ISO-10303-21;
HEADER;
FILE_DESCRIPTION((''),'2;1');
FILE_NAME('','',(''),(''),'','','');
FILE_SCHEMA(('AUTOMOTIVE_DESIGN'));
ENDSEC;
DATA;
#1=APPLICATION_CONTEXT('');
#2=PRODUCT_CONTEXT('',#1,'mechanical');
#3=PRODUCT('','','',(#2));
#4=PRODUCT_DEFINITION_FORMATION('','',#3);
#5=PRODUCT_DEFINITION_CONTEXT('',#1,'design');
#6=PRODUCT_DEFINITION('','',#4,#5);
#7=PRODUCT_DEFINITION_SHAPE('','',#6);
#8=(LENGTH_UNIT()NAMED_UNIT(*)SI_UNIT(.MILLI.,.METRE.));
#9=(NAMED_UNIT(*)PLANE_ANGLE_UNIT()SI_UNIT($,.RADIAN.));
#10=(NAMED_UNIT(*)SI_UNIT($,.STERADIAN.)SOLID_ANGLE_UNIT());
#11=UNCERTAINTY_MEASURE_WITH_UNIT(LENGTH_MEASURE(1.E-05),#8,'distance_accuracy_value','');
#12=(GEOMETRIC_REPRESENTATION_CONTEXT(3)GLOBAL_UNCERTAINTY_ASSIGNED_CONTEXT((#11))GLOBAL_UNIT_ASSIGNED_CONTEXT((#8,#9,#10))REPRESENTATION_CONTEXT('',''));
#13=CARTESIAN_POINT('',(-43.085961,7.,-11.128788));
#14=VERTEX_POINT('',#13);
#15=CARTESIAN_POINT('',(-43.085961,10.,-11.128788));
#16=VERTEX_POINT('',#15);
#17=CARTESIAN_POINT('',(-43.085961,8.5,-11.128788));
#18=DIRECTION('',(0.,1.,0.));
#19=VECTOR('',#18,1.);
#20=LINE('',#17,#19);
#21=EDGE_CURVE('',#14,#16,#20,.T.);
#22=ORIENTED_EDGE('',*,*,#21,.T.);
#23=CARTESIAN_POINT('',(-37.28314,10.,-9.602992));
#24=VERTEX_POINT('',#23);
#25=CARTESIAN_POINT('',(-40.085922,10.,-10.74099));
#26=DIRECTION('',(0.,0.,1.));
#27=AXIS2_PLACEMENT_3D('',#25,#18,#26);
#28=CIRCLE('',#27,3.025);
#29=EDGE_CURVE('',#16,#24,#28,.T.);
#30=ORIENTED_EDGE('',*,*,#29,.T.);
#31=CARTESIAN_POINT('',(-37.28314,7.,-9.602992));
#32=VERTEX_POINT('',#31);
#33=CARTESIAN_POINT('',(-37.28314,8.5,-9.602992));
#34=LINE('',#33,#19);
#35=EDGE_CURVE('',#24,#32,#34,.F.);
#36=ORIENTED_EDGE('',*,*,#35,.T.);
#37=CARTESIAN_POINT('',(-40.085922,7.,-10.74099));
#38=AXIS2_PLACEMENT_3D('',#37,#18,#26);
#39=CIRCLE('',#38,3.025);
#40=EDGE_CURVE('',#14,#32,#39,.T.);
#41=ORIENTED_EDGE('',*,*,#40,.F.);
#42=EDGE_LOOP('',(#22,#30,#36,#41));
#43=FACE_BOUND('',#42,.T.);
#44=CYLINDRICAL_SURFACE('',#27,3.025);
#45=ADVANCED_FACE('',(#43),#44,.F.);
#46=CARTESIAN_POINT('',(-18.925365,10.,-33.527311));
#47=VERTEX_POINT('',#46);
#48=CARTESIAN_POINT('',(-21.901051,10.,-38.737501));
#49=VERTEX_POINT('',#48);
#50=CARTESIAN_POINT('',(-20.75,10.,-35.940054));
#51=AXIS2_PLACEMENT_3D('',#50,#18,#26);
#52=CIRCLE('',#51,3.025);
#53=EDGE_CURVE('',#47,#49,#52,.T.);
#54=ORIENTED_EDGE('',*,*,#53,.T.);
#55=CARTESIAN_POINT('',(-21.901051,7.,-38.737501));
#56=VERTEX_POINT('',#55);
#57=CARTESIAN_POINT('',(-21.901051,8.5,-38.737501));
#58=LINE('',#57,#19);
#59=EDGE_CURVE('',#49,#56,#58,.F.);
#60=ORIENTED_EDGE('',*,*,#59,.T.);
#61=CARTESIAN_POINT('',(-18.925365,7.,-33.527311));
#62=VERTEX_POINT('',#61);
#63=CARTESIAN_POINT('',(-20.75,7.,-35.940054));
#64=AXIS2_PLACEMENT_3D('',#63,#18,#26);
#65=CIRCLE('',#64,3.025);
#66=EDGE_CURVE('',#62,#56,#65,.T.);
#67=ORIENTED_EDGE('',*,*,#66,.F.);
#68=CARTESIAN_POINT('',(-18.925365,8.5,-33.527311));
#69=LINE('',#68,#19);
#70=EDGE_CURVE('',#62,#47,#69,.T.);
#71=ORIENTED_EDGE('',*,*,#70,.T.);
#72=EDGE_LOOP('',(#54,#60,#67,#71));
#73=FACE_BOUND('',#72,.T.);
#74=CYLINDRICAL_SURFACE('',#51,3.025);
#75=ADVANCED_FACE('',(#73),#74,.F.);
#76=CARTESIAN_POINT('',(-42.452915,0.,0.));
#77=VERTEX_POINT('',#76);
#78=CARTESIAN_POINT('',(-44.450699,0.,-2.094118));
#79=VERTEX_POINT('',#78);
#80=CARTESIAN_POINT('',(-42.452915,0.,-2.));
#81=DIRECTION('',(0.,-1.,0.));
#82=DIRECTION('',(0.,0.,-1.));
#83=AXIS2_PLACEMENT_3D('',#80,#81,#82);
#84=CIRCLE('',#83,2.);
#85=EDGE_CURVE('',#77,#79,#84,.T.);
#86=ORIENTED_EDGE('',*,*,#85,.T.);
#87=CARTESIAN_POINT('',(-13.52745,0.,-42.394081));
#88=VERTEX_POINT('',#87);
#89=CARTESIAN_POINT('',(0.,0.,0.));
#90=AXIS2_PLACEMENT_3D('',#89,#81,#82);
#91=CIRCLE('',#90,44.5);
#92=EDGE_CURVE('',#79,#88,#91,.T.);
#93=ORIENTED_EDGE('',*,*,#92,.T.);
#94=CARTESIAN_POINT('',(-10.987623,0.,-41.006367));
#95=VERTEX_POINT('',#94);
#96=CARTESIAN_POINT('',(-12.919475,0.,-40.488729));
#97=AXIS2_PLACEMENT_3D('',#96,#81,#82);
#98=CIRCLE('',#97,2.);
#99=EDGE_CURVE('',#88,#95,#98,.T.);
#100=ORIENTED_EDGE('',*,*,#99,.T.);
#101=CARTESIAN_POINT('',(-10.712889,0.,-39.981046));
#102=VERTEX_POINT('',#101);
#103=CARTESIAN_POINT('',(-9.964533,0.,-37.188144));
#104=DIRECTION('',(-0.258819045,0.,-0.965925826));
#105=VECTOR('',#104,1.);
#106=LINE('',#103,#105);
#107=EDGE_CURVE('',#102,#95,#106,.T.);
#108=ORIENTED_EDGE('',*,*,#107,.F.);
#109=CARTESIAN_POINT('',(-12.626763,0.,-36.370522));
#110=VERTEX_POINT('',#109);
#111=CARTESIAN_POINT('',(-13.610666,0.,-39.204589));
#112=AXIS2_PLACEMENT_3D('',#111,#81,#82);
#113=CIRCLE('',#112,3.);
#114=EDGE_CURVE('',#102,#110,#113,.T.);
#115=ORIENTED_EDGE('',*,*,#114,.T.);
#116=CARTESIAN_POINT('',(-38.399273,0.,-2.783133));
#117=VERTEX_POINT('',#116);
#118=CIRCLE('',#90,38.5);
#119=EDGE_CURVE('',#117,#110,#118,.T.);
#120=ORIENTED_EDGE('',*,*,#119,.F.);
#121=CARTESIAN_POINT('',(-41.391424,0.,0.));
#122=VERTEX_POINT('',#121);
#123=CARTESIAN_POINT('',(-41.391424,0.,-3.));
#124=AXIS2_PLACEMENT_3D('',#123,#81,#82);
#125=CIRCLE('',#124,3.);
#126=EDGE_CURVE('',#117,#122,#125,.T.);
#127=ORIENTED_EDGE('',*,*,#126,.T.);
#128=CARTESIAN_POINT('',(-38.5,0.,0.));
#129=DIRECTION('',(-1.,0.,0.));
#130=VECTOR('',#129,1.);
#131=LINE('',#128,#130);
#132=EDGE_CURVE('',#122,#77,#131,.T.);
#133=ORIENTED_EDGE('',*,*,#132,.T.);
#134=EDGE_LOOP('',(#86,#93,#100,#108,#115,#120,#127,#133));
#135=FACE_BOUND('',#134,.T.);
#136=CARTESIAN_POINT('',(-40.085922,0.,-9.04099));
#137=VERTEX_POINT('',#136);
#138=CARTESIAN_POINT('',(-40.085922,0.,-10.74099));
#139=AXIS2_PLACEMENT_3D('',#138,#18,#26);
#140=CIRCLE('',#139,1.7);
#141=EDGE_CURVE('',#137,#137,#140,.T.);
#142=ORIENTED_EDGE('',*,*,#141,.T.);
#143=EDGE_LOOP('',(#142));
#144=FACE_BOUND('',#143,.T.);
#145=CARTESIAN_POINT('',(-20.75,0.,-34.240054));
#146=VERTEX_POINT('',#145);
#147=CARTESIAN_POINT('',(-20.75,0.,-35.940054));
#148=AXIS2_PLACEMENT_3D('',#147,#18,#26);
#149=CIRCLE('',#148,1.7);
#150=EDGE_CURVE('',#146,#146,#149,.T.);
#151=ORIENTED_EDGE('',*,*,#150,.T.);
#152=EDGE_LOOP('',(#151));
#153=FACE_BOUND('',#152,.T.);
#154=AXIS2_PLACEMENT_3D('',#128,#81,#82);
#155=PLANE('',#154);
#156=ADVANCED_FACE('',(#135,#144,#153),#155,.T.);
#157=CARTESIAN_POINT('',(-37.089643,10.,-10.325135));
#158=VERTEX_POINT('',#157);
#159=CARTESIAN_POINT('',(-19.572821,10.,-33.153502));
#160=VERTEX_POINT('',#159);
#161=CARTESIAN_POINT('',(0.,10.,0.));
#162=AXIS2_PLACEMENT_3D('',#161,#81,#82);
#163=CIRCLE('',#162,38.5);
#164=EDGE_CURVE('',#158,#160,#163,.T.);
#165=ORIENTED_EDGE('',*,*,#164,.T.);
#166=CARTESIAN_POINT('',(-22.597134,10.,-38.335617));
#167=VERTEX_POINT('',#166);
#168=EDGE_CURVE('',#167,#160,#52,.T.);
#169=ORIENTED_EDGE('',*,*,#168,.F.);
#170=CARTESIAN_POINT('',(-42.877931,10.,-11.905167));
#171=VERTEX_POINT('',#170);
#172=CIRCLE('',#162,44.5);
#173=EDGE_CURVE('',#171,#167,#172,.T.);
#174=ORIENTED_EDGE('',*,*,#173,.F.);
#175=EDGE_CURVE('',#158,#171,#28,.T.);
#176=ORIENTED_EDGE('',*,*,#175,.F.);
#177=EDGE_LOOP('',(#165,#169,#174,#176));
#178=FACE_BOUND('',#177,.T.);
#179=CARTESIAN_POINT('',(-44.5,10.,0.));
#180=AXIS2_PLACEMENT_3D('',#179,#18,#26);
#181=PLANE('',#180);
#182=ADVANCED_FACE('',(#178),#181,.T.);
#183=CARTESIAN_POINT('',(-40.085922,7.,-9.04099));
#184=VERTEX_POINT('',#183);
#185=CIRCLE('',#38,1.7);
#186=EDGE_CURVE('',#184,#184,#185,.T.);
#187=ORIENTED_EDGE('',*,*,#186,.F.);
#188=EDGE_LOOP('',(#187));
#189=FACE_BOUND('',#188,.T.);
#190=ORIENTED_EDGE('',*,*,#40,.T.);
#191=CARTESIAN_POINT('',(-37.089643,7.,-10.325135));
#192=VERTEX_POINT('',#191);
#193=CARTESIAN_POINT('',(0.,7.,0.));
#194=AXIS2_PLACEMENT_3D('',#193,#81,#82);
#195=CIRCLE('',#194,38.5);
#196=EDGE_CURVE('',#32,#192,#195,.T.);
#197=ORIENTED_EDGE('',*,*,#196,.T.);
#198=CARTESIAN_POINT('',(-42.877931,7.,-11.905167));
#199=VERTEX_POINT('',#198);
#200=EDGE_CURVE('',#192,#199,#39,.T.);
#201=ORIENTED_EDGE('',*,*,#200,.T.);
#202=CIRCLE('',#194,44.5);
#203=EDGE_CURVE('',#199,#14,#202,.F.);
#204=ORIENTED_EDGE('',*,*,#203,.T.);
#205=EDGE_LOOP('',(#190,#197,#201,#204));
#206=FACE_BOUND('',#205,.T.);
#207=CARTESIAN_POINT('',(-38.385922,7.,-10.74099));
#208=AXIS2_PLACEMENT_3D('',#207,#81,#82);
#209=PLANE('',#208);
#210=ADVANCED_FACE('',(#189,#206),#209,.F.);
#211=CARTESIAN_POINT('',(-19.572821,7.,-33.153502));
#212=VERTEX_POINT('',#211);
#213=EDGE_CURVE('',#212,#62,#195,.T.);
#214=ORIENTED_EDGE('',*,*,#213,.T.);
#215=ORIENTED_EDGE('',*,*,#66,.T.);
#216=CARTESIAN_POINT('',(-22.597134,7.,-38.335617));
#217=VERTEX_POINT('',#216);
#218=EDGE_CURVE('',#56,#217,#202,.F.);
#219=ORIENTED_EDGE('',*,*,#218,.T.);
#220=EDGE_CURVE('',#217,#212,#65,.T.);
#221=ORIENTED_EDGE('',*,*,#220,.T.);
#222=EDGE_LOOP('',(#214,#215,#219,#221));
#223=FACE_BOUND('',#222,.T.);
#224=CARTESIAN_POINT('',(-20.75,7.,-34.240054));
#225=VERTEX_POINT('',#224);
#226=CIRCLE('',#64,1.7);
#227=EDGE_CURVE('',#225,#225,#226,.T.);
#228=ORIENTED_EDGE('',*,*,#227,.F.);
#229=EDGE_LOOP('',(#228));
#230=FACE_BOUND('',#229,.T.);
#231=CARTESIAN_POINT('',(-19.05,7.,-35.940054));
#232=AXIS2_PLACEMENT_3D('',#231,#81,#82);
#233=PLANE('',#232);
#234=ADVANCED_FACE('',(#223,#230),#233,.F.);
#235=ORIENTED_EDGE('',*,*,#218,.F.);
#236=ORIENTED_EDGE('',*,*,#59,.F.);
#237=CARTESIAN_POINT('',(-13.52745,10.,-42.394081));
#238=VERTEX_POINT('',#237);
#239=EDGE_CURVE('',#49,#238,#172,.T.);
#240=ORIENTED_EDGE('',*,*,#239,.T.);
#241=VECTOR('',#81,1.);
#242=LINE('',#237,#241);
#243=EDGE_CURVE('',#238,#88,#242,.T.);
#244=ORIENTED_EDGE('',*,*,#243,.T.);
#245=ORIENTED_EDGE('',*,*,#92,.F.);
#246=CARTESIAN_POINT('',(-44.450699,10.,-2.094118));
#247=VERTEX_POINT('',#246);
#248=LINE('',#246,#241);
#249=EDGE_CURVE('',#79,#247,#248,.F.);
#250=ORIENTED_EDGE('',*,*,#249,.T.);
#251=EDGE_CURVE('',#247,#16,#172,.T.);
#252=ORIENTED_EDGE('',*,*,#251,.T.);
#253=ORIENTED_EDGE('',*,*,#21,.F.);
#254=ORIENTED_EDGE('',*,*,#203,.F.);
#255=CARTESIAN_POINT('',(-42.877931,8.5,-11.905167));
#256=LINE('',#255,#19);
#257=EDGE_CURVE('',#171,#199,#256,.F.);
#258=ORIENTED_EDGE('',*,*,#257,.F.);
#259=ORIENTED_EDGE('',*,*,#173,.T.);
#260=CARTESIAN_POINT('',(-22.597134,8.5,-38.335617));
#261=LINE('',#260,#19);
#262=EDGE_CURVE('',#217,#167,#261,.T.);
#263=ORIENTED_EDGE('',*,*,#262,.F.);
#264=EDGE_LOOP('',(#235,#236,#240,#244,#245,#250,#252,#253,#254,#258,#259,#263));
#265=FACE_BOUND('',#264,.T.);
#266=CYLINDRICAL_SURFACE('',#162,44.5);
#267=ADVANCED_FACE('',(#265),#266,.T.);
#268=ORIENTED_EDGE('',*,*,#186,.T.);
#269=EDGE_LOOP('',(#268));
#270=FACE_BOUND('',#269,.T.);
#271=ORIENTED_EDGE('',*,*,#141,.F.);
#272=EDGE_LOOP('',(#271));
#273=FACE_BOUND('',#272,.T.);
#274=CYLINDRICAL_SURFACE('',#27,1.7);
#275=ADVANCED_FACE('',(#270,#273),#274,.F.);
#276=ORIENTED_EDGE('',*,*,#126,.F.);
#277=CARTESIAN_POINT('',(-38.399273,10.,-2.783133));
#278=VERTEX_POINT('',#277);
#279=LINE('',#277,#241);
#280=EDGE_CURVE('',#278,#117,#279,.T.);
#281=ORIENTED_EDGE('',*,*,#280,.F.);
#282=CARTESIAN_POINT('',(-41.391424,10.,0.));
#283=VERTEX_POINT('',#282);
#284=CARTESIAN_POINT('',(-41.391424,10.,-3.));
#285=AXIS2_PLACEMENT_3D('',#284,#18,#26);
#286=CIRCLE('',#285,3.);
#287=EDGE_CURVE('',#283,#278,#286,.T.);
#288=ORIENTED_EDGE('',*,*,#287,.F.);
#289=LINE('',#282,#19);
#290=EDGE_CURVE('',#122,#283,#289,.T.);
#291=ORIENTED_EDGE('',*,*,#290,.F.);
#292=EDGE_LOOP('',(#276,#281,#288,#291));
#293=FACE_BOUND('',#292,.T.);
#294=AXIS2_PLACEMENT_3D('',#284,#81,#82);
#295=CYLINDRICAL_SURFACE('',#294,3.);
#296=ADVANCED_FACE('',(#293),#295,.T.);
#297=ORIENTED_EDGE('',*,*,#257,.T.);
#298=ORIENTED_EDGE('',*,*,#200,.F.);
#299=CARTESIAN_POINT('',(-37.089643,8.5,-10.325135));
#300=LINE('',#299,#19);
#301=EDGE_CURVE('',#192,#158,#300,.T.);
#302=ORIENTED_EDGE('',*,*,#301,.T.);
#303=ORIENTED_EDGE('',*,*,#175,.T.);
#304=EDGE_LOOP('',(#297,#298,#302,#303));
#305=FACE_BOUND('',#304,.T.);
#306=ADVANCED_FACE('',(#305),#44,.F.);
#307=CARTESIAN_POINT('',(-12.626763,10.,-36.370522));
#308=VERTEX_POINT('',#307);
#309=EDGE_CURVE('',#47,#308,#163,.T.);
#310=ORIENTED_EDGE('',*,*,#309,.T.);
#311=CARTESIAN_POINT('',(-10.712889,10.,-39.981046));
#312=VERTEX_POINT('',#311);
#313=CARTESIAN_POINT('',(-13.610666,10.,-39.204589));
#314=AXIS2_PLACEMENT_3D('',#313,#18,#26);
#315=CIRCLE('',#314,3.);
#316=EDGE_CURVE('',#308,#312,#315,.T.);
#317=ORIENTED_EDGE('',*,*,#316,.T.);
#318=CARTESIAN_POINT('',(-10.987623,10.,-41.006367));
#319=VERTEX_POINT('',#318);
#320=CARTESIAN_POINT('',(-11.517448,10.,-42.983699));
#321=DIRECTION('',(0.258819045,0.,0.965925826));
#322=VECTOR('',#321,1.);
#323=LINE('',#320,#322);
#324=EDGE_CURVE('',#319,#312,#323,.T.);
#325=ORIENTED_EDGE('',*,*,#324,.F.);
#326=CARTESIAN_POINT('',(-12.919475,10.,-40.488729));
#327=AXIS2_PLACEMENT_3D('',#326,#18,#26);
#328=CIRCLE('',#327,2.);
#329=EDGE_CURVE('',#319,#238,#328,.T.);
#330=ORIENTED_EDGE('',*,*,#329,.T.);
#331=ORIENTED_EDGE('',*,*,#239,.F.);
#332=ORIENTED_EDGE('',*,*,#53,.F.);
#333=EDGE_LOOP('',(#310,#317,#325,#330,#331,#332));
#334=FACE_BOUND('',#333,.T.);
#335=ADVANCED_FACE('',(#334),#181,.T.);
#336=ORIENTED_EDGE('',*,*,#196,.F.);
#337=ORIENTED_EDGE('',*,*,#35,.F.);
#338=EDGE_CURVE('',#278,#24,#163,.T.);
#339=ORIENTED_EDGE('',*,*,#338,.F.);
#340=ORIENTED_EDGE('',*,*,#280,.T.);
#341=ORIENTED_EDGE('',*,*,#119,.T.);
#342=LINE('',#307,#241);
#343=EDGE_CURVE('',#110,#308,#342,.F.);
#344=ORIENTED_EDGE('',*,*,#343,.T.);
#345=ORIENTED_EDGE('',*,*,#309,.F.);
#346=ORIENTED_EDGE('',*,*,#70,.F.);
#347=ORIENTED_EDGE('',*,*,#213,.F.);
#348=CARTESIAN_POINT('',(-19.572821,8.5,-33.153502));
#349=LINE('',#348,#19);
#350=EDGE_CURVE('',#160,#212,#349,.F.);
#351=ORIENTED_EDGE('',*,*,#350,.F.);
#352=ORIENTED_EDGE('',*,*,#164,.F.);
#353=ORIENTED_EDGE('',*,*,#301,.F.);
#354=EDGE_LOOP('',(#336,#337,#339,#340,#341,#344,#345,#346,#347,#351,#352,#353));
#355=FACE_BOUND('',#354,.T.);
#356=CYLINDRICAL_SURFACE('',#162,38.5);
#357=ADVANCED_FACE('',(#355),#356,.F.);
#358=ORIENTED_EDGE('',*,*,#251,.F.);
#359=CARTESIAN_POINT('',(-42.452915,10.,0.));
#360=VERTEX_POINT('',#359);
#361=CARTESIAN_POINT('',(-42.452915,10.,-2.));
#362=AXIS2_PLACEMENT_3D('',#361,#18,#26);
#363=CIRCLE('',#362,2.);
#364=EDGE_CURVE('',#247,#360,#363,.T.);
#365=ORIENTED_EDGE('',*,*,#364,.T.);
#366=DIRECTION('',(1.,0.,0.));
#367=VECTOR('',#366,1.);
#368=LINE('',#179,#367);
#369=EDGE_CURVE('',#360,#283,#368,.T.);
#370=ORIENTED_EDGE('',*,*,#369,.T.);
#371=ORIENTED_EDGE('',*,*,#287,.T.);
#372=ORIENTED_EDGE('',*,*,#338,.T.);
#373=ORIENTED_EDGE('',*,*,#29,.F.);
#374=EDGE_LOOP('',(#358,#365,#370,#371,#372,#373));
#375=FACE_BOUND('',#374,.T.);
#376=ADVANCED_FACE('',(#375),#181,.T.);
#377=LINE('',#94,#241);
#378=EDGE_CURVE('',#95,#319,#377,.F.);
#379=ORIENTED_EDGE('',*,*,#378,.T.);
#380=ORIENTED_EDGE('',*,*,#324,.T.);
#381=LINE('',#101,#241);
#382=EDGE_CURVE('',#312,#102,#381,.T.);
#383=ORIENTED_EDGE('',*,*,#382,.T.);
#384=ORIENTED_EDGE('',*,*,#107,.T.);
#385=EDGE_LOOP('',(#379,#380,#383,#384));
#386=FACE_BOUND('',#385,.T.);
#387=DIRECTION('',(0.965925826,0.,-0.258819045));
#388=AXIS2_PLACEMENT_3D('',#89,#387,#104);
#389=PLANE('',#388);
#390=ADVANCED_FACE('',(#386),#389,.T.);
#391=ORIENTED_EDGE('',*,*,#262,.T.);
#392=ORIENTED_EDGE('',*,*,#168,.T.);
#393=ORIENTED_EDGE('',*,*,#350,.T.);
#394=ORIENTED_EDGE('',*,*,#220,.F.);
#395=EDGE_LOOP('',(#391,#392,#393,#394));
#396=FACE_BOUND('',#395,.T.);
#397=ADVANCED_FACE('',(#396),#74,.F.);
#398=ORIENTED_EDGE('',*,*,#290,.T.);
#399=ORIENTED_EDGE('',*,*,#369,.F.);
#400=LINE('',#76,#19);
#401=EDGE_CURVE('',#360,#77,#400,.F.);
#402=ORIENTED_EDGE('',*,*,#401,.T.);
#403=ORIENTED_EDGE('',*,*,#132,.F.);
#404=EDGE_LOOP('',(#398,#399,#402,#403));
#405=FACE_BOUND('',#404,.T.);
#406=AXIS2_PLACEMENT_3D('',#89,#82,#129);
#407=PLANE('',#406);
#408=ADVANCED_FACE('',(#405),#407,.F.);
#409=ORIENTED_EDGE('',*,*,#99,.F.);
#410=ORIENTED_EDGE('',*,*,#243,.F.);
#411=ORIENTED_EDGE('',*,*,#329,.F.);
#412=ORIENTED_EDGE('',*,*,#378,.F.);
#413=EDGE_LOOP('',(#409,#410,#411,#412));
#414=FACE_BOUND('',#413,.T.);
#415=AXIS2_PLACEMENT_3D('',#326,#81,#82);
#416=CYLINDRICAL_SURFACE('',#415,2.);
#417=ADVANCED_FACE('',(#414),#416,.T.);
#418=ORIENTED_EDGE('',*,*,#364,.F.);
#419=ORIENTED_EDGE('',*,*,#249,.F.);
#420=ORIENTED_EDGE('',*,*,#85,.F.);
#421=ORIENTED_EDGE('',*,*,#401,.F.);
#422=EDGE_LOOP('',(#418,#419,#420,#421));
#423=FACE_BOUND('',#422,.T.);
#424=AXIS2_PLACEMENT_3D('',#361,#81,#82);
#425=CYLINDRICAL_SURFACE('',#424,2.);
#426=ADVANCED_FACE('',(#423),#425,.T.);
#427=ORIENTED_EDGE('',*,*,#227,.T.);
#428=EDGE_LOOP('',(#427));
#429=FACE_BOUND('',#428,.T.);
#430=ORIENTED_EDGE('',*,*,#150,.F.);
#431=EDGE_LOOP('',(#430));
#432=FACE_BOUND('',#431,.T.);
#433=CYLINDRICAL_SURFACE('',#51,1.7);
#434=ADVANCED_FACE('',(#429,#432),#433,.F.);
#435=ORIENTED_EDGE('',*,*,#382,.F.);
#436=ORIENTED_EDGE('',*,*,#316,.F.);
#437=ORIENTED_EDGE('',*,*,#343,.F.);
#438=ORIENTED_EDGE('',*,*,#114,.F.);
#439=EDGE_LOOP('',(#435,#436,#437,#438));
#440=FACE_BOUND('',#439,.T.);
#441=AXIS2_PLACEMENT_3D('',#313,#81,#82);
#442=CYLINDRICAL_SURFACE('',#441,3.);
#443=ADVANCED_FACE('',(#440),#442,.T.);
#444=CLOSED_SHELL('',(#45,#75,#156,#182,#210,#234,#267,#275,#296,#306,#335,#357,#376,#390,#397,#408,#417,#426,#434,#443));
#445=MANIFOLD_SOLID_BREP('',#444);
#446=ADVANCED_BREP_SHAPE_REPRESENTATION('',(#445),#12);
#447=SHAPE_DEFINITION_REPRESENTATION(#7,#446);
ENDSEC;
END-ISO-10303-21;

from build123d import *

# Parameters (mm, degrees)
SKETCH_1_W                  = 10
SKETCH_1_H                  = 6
REVOLVE_1_ANGLE             = 75
HOLE_WIZARD_M31_D           = 3.4
HOLE_WIZARD_M31_CBORE_D     = 6.05
HOLE_WIZARD_M31_CBORE_DEPTH = 3
FILLET_1_R                  = 2
FILLET_2_R                  = 3


with BuildPart() as part:
    # Эскиз1 → Повернуть1 (revolve)
    with BuildSketch(Plane(origin=(0, 0, 0), x_dir=(0, 1, 0), z_dir=(0.9659258262890689, 0, -0.258819045102519))):
        with Locations((5, -41.5)):
            Rectangle(SKETCH_1_W, SKETCH_1_H)
    revolve(axis=Axis((0, 10, 0), (0, 1, 0)), revolution_arc=REVOLVE_1_ANGLE)

    # Цековка для винта с заклепочной головкой M31 (through all)
    with Locations(Plane(origin=(0, 10, 0), x_dir=(1, 0, 0), z_dir=(0, 1, 0))):
        with Locations((-40.085921791, 10.740990372), (-20.75, 35.940054257)):
            CounterBoreHole(HOLE_WIZARD_M31_D / 2, HOLE_WIZARD_M31_CBORE_D / 2, HOLE_WIZARD_M31_CBORE_DEPTH)

    # Скругление1
    fillet_1_edges = [part.edges().sort_by_distance(p)[0] for p in [
        (-11.517447507, 5, -42.98369927),
        (-44.5, 5, 0),
    ]]
    fillet(fillet_1_edges, radius=FILLET_1_R)

    # Скругление2
    fillet_2_edges = [part.edges().sort_by_distance(p)[0] for p in [
        (-38.5, 5, 0),
        (-9.964533236, 5, -37.188144312),
    ]]
    fillet(fillet_2_edges, radius=FILLET_2_R)


solid = part.part
